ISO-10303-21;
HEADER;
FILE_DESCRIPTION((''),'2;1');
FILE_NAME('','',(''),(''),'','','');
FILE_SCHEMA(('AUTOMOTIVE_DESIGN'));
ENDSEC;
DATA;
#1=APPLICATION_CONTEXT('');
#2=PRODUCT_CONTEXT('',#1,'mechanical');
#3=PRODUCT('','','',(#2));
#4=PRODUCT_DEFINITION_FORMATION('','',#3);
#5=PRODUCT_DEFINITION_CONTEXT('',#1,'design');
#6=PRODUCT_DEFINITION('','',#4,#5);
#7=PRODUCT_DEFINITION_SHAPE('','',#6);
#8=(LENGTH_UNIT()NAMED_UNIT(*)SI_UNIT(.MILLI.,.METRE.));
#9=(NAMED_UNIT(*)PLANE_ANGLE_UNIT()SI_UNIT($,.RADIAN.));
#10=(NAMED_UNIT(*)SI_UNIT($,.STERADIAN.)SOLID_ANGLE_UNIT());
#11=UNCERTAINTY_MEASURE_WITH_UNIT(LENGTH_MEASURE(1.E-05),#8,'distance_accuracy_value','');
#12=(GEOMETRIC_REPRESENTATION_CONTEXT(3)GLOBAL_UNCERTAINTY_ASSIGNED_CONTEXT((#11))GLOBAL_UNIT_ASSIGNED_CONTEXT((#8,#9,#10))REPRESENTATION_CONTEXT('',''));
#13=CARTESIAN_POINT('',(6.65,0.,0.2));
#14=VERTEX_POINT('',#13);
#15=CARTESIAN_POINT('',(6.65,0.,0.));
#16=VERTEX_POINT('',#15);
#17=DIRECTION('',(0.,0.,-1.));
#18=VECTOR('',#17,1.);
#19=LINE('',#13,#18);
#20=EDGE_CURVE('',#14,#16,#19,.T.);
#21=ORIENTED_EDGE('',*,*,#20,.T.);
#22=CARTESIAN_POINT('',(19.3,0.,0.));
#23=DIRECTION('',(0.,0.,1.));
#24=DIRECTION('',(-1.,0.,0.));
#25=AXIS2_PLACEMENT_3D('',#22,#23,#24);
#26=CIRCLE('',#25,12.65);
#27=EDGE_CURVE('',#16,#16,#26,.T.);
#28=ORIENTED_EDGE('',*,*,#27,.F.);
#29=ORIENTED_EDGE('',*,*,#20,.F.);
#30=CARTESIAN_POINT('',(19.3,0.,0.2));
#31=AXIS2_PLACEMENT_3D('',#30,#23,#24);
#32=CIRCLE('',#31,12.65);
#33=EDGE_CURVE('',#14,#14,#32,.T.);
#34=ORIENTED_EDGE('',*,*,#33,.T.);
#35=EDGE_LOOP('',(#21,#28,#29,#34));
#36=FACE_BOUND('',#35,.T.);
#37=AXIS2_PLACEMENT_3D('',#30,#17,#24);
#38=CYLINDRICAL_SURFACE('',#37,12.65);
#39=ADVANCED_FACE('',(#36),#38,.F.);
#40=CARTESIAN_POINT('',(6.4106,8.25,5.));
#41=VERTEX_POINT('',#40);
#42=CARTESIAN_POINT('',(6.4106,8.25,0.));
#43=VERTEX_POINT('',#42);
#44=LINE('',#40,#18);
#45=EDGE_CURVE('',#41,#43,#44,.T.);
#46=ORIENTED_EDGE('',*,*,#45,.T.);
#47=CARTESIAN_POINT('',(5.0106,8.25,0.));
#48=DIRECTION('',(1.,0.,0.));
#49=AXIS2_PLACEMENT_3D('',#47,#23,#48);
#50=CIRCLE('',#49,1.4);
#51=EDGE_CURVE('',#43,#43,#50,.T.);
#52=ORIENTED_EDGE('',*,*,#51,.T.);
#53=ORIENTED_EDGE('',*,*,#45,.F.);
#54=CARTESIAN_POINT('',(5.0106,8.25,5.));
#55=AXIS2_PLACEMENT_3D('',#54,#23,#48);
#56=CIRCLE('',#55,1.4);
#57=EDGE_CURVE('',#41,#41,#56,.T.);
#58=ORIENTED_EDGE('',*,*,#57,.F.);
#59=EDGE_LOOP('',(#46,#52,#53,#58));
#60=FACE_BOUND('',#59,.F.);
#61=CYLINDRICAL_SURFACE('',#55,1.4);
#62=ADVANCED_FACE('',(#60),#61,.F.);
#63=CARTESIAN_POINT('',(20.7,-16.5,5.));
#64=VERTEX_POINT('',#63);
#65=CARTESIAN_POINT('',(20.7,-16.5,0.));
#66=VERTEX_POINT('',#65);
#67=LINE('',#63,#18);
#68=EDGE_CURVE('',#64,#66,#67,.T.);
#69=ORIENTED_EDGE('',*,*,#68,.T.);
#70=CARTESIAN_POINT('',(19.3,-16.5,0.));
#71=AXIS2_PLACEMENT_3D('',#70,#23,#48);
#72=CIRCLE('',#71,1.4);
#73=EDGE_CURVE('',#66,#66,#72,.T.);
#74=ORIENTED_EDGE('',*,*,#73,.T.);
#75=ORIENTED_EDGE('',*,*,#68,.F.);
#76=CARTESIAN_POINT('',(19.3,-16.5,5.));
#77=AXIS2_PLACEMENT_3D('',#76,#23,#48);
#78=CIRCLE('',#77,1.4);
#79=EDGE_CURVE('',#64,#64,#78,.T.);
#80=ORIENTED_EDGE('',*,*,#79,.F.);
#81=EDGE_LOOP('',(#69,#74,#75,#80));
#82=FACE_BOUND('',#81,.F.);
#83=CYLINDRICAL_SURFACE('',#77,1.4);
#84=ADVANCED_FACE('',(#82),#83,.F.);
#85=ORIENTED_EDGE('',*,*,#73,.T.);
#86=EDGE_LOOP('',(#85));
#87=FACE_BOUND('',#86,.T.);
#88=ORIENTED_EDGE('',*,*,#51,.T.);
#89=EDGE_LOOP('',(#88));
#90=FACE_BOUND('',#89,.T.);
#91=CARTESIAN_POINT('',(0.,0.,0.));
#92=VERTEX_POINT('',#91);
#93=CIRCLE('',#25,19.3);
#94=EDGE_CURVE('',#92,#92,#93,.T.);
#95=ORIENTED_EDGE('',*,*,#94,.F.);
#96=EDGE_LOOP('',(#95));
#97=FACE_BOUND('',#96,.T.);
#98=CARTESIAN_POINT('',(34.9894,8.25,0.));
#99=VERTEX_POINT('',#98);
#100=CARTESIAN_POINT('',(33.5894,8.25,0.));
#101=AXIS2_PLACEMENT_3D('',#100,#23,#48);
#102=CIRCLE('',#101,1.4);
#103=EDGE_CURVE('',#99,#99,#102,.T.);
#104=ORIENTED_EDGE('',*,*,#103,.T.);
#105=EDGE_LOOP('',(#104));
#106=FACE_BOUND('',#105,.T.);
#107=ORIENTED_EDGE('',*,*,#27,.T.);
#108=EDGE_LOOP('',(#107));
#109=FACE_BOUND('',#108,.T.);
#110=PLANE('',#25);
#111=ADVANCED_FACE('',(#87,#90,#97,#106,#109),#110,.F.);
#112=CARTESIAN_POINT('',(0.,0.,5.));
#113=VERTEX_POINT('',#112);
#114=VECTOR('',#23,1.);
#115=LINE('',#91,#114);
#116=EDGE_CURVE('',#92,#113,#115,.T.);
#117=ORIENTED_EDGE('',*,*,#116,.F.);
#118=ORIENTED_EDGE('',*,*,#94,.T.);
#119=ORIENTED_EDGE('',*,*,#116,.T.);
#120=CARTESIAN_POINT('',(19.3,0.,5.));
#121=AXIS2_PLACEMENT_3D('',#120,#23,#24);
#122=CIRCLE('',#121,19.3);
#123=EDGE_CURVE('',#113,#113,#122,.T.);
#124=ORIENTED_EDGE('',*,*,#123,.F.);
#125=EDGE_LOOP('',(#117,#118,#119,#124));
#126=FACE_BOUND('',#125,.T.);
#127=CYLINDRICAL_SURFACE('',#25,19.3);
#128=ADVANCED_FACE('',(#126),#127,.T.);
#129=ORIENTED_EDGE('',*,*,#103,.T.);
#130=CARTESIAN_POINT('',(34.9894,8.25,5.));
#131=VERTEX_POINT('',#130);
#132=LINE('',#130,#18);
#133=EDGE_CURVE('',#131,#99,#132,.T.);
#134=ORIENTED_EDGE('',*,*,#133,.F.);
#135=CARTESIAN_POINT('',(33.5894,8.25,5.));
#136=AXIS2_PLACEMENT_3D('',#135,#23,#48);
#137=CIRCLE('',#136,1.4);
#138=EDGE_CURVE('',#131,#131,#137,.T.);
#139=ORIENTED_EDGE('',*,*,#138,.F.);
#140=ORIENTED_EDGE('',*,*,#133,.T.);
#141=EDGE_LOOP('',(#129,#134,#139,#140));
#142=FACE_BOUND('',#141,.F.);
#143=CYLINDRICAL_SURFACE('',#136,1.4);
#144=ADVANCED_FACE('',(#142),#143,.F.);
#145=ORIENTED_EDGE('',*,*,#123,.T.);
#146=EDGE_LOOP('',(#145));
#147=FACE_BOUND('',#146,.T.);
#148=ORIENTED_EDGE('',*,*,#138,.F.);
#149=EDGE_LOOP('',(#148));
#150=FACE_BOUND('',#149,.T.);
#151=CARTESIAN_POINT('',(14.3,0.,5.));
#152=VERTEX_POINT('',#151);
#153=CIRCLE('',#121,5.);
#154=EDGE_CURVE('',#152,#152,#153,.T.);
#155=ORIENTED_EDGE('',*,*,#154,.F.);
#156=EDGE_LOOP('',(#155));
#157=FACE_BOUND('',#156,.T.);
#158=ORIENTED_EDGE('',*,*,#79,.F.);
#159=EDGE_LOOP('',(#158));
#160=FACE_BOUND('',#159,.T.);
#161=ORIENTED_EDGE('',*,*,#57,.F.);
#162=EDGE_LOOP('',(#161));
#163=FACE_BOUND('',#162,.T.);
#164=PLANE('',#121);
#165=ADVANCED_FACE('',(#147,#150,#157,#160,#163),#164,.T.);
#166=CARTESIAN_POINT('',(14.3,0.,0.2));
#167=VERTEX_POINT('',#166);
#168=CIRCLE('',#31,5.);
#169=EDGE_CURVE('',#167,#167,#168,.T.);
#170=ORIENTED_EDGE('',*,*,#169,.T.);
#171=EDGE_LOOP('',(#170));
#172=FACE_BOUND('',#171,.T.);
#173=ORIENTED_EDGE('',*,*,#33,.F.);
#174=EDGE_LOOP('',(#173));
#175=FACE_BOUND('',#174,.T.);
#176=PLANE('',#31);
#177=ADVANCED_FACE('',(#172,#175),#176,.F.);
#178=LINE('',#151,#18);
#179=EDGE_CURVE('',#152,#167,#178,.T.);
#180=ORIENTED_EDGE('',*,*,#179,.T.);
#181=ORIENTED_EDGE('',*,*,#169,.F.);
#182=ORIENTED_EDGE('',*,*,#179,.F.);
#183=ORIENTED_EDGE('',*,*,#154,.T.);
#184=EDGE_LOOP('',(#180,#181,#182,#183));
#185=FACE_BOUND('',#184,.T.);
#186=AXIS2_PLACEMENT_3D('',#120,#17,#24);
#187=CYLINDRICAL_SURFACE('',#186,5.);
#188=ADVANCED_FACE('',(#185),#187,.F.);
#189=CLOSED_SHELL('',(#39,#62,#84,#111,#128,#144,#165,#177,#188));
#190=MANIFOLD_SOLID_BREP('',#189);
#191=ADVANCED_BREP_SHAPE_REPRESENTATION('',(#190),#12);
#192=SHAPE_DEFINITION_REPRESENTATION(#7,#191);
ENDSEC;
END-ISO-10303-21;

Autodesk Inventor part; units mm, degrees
ref_plane "YZ Plane" through (0, 0, 0) normal (1, 0, 0) x (0, 1, 0)
ref_plane "XZ Plane" through (0, 0, 0) normal (0, 1, 0) x (-1, 0, 0)
ref_plane "XY Plane" through (0, 0, 0) normal (0, 0, 1) x (1, 0, 0)
sketch "Skizze1" plane through (0, 0, 0) normal (0, 1, 0) x (-1, 0, 0)
  line L0 (-3.6106, 0) -> (-3.6106, -12.505)
  line L1 (-38.6, 0) -> (0, 0) projected
  line L2 (-13.05, -7.505) -> (-13.05, -21.905) projected
  line L3 (-25.55, -7.505) -> (-25.55, -21.905) projected
  line L4 (-6.3, -0.4913) -> (-6.3, 0)
  line L5 (-32.3, -0.4913) -> (-6.3, -0.4913) projected
  line L6 (0, 0) -> (0, 5)
  line L7 (0, 5) -> (-14.3, 5)
  line L8 (-14.3, 5) -> (-14.3, 0.2)
  line L9 (-14.3, 0.2) -> (-6.65, 0.2)
  line L10 (-6.65, 0.2) -> (-6.65, 0)
  line L11 (0, 0) -> (-6.65, 0)
  line L12 (-19.3, -19.905) -> (-19.3, 13.9284)
  dimension "d0" = 5
  dimension "d1" = 12.65
  dimension "d2" = 12.5
  dimension "d3" = 6.25
  dimension "d4" = 0.2
  dimension "d6" = 5
revolve "Umdrehung1" add sketch "Skizze1" angle 360 about axis through (19.3, 0, -19.905) along (0, 0, 1) contours L10 L9 L8 L7 L6 L1
sketch "Skizze2" plane through (19.3, 0, 5) normal (0, 0, 1) x (1, 0, 0)
  circle A0 centre (0, -16.5) radius 1.4 projected
  circle A1 centre (0, 0) radius 19.3 projected
  circle A2 centre (0, 0) radius 12.65 projected
  circle A3 centre (-14.2894, 8.25) radius 1.4 projected
  circle A4 centre (14.2894, 8.25) radius 1.4 projected
  point P0 (-19.3, 0)
extrude "Extrusion1" cut sketch "Skizze2" against normal through all contours A0 | A3 | A4
equation "\"d3\" = 0.5 * d2"
properties part number "50_ETL_Lid_v0"
